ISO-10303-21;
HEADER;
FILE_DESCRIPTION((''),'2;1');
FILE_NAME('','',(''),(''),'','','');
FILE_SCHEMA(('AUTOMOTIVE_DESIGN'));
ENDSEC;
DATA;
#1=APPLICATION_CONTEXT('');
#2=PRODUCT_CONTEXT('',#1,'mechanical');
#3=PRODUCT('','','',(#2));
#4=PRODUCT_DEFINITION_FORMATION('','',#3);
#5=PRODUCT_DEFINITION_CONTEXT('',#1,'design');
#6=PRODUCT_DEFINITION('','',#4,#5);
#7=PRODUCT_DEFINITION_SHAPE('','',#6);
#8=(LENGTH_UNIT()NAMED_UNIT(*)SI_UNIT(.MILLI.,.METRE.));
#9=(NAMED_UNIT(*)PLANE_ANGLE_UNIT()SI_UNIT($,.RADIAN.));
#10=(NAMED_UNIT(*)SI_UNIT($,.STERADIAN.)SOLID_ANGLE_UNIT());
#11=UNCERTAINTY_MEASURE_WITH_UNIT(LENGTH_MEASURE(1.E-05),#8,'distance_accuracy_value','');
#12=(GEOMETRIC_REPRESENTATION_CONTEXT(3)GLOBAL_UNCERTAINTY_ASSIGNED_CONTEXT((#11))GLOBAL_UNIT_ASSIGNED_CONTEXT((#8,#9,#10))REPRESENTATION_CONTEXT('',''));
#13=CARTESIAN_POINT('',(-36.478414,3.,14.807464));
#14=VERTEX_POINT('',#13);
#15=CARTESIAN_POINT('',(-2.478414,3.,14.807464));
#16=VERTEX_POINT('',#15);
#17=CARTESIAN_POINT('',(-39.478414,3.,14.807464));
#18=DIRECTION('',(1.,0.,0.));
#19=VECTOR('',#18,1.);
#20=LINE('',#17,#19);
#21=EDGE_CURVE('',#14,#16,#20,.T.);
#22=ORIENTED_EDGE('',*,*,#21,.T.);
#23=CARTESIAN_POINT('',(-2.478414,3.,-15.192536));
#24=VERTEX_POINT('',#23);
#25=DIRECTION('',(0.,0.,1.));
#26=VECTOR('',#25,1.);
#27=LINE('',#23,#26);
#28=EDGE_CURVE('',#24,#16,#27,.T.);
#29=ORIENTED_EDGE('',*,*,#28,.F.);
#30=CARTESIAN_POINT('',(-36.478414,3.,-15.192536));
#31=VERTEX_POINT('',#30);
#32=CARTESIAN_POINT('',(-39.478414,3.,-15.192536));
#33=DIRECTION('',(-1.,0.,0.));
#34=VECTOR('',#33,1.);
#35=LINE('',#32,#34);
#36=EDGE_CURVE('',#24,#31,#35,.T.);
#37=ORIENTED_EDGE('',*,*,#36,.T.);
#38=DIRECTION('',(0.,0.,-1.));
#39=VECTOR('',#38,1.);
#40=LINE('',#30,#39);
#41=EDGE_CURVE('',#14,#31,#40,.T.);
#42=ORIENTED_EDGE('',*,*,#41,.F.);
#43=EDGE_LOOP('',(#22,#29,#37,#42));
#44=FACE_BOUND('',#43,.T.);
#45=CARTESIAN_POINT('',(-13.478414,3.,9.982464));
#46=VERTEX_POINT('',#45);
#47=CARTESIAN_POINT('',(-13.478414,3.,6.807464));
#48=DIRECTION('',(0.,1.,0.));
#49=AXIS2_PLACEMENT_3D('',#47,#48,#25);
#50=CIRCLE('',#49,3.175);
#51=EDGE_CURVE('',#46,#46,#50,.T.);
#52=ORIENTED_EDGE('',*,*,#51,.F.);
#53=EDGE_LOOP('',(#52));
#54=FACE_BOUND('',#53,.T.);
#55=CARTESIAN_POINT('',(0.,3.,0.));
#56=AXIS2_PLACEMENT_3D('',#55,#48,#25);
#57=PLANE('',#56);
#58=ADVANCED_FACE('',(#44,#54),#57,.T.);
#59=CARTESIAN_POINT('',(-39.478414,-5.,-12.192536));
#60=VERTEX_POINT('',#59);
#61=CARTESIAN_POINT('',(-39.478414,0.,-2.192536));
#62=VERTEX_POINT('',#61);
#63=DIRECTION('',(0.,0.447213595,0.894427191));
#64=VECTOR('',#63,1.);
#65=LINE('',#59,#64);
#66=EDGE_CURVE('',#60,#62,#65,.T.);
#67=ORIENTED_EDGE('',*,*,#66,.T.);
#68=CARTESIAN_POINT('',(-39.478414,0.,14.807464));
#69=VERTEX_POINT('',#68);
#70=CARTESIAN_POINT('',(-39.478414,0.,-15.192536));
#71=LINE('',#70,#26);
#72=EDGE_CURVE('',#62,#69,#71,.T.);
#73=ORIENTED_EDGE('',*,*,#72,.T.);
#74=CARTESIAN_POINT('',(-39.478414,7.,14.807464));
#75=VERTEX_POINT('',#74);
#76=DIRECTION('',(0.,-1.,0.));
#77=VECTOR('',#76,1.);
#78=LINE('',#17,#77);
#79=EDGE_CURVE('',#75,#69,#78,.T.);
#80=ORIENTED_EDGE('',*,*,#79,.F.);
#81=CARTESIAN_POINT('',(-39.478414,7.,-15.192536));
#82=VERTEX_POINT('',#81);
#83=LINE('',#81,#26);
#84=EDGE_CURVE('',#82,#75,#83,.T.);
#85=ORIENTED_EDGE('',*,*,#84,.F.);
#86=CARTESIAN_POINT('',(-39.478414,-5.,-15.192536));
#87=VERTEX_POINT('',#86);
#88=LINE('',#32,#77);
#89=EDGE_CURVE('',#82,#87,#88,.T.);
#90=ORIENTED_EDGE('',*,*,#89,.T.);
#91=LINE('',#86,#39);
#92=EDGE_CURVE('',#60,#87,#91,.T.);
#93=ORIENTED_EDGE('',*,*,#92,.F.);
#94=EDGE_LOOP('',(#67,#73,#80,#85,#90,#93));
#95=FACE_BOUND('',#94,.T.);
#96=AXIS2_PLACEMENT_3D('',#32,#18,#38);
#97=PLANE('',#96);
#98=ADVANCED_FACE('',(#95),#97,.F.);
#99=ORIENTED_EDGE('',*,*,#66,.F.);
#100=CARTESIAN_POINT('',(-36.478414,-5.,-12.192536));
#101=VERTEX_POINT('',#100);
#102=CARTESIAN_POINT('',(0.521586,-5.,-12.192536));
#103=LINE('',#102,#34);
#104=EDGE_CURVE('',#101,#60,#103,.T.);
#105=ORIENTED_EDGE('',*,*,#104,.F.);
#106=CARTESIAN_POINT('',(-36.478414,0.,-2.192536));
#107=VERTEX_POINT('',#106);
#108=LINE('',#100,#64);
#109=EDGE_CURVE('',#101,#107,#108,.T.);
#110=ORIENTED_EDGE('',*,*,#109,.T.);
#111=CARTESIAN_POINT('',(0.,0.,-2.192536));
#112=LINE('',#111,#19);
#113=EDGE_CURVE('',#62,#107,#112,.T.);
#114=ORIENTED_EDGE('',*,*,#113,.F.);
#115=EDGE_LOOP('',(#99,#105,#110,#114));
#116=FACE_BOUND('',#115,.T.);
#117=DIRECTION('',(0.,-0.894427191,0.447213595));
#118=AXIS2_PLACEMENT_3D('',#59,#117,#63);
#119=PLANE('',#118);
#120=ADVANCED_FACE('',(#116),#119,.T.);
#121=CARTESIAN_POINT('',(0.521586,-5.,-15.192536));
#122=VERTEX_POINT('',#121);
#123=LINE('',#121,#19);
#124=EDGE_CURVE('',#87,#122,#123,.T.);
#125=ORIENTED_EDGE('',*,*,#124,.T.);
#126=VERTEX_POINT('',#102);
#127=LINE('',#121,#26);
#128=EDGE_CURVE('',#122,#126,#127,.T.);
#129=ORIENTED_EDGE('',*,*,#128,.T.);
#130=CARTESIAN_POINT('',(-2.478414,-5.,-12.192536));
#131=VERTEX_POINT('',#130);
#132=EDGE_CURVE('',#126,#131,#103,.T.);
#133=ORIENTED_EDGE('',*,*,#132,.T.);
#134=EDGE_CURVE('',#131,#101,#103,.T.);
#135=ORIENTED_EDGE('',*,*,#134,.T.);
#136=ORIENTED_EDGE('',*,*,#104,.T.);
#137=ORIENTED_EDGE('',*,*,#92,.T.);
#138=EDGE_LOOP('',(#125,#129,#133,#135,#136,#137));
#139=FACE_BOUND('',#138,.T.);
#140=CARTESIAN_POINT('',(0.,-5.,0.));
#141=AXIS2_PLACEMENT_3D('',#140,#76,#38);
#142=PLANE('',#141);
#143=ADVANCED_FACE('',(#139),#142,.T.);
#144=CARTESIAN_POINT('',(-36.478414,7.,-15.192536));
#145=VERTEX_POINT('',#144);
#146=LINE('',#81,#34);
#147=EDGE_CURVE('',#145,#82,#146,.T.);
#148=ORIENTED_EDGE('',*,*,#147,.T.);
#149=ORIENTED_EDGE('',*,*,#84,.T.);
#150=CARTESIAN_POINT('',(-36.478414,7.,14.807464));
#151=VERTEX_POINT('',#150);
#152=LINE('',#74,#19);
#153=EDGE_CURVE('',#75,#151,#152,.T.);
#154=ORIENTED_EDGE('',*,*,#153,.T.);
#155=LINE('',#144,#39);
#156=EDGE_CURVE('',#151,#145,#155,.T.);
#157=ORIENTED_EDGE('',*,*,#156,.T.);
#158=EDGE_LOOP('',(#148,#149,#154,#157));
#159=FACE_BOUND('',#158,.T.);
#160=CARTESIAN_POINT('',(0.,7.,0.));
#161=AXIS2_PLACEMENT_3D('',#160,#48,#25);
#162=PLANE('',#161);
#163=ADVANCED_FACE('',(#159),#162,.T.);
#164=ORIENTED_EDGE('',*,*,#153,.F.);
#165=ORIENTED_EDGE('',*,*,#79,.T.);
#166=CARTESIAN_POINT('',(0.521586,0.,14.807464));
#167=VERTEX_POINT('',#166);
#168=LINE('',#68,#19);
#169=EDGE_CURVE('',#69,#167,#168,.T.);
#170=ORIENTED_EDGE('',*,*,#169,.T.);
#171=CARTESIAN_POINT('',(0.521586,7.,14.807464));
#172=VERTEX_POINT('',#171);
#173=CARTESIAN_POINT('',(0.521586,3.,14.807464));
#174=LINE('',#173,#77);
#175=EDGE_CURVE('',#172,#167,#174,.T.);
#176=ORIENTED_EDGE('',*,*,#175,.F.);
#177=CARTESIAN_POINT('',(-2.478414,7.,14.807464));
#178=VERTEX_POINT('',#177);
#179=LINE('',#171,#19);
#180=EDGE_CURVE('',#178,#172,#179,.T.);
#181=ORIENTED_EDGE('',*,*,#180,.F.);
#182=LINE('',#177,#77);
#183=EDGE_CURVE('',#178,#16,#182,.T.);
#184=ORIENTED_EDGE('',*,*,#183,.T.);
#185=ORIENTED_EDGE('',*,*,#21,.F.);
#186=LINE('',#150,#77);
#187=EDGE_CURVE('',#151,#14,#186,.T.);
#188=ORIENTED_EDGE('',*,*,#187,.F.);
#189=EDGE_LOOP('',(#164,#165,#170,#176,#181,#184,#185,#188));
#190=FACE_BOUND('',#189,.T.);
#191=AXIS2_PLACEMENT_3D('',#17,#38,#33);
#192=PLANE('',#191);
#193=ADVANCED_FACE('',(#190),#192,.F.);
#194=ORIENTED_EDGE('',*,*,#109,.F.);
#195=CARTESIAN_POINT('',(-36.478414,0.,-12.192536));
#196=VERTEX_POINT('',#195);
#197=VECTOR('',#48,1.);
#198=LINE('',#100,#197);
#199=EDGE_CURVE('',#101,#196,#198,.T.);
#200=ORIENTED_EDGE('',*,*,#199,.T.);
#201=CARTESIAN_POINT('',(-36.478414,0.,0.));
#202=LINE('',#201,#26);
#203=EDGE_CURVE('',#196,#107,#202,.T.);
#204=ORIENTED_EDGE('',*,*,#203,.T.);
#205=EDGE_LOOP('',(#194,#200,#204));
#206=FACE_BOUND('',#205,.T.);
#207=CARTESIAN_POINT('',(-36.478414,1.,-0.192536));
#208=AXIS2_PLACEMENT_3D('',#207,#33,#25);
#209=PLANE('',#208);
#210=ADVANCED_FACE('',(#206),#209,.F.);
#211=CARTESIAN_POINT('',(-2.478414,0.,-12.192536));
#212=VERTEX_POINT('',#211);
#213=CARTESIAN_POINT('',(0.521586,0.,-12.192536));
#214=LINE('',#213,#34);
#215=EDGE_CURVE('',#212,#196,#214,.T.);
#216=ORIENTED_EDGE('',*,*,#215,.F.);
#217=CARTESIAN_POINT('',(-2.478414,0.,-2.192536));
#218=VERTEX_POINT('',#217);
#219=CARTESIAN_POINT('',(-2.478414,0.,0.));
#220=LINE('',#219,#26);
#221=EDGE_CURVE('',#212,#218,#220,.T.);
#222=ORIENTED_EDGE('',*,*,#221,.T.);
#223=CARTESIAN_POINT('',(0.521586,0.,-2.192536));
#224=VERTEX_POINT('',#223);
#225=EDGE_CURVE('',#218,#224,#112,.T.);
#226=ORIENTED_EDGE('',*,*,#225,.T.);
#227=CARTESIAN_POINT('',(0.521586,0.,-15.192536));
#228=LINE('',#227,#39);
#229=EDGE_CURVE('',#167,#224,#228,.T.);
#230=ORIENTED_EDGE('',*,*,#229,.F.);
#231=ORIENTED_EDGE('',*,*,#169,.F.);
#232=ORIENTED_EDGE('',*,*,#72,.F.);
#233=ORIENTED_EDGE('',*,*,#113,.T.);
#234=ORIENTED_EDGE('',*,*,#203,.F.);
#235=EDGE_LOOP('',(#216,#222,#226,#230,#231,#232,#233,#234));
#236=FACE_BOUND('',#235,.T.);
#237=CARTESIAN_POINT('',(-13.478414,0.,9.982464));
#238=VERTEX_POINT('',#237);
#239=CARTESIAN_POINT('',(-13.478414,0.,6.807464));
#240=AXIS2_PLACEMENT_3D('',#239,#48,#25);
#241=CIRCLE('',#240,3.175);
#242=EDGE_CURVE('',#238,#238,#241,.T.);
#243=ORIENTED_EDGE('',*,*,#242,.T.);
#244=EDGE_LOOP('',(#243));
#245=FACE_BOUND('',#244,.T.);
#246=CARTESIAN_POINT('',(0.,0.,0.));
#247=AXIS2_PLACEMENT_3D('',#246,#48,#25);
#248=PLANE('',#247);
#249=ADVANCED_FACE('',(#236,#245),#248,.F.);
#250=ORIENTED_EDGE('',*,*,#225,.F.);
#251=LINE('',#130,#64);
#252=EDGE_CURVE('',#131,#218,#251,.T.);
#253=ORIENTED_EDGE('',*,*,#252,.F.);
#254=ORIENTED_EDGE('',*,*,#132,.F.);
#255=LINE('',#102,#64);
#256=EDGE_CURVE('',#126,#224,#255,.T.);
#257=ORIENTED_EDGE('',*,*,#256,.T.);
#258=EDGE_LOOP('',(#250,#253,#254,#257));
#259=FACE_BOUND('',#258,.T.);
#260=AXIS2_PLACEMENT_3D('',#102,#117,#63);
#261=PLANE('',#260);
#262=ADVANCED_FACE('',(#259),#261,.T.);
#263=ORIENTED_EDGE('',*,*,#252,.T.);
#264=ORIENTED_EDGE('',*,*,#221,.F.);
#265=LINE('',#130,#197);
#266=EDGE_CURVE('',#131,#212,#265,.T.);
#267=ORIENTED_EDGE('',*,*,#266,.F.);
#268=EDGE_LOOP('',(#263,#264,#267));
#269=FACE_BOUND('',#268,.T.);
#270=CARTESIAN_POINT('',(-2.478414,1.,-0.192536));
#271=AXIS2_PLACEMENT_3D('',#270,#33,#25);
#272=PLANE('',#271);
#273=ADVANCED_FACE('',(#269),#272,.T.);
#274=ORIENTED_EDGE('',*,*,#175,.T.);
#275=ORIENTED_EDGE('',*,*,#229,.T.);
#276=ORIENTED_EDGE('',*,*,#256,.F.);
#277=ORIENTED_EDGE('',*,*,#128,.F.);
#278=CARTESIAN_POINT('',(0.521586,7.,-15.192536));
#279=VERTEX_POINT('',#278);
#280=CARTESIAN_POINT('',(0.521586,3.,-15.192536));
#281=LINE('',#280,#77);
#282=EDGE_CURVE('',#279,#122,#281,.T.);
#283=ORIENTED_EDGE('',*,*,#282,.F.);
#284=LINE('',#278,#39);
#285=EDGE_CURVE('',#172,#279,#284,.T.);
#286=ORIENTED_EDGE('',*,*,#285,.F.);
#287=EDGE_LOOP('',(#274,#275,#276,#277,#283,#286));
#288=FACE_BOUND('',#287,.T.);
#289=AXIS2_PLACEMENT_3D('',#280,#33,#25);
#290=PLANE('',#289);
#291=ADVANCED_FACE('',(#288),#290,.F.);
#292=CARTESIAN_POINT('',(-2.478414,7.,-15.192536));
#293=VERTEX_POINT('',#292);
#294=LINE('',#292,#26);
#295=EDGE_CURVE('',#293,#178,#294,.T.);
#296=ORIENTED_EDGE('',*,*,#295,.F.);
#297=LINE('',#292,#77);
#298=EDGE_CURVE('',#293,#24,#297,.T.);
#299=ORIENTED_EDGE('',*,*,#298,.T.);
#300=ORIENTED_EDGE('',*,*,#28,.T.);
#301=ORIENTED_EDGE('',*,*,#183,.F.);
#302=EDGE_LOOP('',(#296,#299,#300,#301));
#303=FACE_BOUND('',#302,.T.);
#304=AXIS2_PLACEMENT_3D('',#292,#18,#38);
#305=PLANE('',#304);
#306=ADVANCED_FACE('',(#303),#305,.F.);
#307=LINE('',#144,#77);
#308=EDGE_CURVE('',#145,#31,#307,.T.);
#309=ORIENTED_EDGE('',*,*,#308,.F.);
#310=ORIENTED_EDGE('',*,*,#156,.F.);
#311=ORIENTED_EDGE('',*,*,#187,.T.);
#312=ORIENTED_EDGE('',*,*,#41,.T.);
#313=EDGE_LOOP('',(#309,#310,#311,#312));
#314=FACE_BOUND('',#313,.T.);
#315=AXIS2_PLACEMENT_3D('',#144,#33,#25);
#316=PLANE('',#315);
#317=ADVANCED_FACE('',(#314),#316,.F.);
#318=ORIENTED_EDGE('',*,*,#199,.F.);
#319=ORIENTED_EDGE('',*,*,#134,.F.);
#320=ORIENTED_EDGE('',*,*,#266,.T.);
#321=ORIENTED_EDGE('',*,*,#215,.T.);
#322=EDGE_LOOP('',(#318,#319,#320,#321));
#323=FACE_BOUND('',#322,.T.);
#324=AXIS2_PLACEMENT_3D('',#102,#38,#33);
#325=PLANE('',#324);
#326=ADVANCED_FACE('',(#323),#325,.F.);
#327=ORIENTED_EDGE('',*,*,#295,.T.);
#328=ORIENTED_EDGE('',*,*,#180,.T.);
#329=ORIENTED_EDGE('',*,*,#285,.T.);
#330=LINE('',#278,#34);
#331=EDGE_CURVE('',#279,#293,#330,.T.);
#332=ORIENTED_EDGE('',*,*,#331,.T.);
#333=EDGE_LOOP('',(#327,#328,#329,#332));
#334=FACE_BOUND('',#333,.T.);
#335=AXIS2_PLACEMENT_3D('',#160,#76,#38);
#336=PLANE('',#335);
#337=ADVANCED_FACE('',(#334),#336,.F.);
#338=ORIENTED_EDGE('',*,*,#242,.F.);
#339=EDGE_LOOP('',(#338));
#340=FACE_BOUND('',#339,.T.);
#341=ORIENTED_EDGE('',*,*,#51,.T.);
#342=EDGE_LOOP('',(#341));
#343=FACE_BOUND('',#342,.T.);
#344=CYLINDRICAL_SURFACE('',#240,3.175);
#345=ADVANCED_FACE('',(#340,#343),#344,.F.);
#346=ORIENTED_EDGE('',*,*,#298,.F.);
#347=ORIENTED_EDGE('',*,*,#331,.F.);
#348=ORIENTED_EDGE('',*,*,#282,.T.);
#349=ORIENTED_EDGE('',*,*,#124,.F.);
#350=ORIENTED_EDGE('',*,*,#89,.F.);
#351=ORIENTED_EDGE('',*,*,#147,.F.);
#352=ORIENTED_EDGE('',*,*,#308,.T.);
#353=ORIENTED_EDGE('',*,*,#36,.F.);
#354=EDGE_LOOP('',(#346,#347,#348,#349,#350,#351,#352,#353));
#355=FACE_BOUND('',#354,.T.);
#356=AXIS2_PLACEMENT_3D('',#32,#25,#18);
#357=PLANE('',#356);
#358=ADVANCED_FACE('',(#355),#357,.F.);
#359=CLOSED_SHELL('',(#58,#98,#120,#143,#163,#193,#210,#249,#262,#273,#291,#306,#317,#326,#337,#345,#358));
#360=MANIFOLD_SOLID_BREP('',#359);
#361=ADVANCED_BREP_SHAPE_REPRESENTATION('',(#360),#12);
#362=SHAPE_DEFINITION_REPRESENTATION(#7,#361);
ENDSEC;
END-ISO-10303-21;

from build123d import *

# Parameters (mm, degrees)
SKETCH1_W           = 40
SKETCH1_H           = 30
BOSS_EXTRUDE2_DEPTH = 3
SKETCH2_W           = 3
SKETCH2_H           = 30
BOSS_EXTRUDE3_DEPTH = 4
SKETCH3_W           = 3
SKETCH3_H           = 30
BOSS_EXTRUDE4_DEPTH = 4
SKETCH4_R           = 3.175
CUT_EXTRUDE1_DEPTH  = 43.489507814
SKETCH5_W           = 40
SKETCH5_H           = 3
BOSS_EXTRUDE5_DEPTH = 5
RIB4_REACH          = 50.765
SKETCH8_WALL_W      = 110.70982261
SKETCH8_WALL_H      = 3
RIB5_REACH          = 50.765
SKETCH10_WALL_W     = 110.70982261
SKETCH10_WALL_H     = 3


with BuildPart() as part:
    # Sketch1 → Boss-Extrude2 (new body)
    with BuildSketch(Plane(origin=(0, 0, 0), x_dir=(1, 0, 0), z_dir=(0, 1, 0))):
        with Locations((-19.478413565, 0.192535557)):
            Rectangle(SKETCH1_W, SKETCH1_H)
    extrude(amount=BOSS_EXTRUDE2_DEPTH)

    # Sketch2 → Boss-Extrude3 (add)
    with BuildSketch(Plane(origin=(0, 3, 0), x_dir=(1, 0, 0), z_dir=(0, 1, 0))):
        with Locations((-0.978413565, 0.192535557)):
            Rectangle(SKETCH2_W, SKETCH2_H)
    extrude(amount=BOSS_EXTRUDE3_DEPTH)

    # Sketch3 → Boss-Extrude4 (add)
    with BuildSketch(Plane(origin=(0, 3, 0), x_dir=(1, 0, 0), z_dir=(0, 1, 0))):
        with Locations((-37.978413565, 0.192535557)):
            Rectangle(SKETCH3_W, SKETCH3_H)
    extrude(amount=BOSS_EXTRUDE4_DEPTH)

    # Sketch4 → Cut-Extrude1 (cut, through all)
    with BuildSketch(Plane(origin=(0, 3, 0), x_dir=(1, 0, 0), z_dir=(0, 1, 0))):
        with Locations(Location((-13.478413565, -6.807464443, 0), (0, 0, 270))):
            Circle(SKETCH4_R)
    extrude(amount=-CUT_EXTRUDE1_DEPTH, mode=Mode.SUBTRACT)

    # Sketch5 → Boss-Extrude5 (add)
    with BuildSketch(Plane(origin=(0, 0, 0), x_dir=(-1, 0, 0), z_dir=(0, -1, 0))):
        with Locations((19.478413565, 13.692535557)):
            Rectangle(SKETCH5_W, SKETCH5_H)
    extrude(amount=BOSS_EXTRUDE5_DEPTH)

    # Sketch8 wall → Rib4 (add, up to next)
    with BuildSketch(Plane(origin=(0.521586435, -2.5, -7.192535557), x_dir=(0, 0.4472135955, 0.894427191), z_dir=(0, 0.894427191, -0.4472135955)), mode=Mode.PRIVATE) as rib4_sk1:
        with Locations((0, -1.5)):
            Rectangle(SKETCH8_WALL_W, SKETCH8_WALL_H)
    rib4_tool1 = extrude(rib4_sk1.sketch, amount=RIB4_REACH, mode=Mode.PRIVATE) - part.part
    add(rib4_tool1.solids().sort_by_distance((0.521586435, -2.5, -7.192535557))[0])

    # Sketch10 wall → Rib5 (add, up to next)
    with BuildSketch(Plane(origin=(-39.478413565, -2.5, -7.192535557), x_dir=(0, 0.4472135955, 0.894427191), z_dir=(0, 0.894427191, -0.4472135955)), mode=Mode.PRIVATE) as rib5_sk1:
        with Locations((0, 1.5)):
            Rectangle(SKETCH10_WALL_W, SKETCH10_WALL_H)
    rib5_tool1 = extrude(rib5_sk1.sketch, amount=RIB5_REACH, mode=Mode.PRIVATE) - part.part
    add(rib5_tool1.solids().sort_by_distance((-39.478413565, -2.5, -7.192535557))[0])


solid = part.part
